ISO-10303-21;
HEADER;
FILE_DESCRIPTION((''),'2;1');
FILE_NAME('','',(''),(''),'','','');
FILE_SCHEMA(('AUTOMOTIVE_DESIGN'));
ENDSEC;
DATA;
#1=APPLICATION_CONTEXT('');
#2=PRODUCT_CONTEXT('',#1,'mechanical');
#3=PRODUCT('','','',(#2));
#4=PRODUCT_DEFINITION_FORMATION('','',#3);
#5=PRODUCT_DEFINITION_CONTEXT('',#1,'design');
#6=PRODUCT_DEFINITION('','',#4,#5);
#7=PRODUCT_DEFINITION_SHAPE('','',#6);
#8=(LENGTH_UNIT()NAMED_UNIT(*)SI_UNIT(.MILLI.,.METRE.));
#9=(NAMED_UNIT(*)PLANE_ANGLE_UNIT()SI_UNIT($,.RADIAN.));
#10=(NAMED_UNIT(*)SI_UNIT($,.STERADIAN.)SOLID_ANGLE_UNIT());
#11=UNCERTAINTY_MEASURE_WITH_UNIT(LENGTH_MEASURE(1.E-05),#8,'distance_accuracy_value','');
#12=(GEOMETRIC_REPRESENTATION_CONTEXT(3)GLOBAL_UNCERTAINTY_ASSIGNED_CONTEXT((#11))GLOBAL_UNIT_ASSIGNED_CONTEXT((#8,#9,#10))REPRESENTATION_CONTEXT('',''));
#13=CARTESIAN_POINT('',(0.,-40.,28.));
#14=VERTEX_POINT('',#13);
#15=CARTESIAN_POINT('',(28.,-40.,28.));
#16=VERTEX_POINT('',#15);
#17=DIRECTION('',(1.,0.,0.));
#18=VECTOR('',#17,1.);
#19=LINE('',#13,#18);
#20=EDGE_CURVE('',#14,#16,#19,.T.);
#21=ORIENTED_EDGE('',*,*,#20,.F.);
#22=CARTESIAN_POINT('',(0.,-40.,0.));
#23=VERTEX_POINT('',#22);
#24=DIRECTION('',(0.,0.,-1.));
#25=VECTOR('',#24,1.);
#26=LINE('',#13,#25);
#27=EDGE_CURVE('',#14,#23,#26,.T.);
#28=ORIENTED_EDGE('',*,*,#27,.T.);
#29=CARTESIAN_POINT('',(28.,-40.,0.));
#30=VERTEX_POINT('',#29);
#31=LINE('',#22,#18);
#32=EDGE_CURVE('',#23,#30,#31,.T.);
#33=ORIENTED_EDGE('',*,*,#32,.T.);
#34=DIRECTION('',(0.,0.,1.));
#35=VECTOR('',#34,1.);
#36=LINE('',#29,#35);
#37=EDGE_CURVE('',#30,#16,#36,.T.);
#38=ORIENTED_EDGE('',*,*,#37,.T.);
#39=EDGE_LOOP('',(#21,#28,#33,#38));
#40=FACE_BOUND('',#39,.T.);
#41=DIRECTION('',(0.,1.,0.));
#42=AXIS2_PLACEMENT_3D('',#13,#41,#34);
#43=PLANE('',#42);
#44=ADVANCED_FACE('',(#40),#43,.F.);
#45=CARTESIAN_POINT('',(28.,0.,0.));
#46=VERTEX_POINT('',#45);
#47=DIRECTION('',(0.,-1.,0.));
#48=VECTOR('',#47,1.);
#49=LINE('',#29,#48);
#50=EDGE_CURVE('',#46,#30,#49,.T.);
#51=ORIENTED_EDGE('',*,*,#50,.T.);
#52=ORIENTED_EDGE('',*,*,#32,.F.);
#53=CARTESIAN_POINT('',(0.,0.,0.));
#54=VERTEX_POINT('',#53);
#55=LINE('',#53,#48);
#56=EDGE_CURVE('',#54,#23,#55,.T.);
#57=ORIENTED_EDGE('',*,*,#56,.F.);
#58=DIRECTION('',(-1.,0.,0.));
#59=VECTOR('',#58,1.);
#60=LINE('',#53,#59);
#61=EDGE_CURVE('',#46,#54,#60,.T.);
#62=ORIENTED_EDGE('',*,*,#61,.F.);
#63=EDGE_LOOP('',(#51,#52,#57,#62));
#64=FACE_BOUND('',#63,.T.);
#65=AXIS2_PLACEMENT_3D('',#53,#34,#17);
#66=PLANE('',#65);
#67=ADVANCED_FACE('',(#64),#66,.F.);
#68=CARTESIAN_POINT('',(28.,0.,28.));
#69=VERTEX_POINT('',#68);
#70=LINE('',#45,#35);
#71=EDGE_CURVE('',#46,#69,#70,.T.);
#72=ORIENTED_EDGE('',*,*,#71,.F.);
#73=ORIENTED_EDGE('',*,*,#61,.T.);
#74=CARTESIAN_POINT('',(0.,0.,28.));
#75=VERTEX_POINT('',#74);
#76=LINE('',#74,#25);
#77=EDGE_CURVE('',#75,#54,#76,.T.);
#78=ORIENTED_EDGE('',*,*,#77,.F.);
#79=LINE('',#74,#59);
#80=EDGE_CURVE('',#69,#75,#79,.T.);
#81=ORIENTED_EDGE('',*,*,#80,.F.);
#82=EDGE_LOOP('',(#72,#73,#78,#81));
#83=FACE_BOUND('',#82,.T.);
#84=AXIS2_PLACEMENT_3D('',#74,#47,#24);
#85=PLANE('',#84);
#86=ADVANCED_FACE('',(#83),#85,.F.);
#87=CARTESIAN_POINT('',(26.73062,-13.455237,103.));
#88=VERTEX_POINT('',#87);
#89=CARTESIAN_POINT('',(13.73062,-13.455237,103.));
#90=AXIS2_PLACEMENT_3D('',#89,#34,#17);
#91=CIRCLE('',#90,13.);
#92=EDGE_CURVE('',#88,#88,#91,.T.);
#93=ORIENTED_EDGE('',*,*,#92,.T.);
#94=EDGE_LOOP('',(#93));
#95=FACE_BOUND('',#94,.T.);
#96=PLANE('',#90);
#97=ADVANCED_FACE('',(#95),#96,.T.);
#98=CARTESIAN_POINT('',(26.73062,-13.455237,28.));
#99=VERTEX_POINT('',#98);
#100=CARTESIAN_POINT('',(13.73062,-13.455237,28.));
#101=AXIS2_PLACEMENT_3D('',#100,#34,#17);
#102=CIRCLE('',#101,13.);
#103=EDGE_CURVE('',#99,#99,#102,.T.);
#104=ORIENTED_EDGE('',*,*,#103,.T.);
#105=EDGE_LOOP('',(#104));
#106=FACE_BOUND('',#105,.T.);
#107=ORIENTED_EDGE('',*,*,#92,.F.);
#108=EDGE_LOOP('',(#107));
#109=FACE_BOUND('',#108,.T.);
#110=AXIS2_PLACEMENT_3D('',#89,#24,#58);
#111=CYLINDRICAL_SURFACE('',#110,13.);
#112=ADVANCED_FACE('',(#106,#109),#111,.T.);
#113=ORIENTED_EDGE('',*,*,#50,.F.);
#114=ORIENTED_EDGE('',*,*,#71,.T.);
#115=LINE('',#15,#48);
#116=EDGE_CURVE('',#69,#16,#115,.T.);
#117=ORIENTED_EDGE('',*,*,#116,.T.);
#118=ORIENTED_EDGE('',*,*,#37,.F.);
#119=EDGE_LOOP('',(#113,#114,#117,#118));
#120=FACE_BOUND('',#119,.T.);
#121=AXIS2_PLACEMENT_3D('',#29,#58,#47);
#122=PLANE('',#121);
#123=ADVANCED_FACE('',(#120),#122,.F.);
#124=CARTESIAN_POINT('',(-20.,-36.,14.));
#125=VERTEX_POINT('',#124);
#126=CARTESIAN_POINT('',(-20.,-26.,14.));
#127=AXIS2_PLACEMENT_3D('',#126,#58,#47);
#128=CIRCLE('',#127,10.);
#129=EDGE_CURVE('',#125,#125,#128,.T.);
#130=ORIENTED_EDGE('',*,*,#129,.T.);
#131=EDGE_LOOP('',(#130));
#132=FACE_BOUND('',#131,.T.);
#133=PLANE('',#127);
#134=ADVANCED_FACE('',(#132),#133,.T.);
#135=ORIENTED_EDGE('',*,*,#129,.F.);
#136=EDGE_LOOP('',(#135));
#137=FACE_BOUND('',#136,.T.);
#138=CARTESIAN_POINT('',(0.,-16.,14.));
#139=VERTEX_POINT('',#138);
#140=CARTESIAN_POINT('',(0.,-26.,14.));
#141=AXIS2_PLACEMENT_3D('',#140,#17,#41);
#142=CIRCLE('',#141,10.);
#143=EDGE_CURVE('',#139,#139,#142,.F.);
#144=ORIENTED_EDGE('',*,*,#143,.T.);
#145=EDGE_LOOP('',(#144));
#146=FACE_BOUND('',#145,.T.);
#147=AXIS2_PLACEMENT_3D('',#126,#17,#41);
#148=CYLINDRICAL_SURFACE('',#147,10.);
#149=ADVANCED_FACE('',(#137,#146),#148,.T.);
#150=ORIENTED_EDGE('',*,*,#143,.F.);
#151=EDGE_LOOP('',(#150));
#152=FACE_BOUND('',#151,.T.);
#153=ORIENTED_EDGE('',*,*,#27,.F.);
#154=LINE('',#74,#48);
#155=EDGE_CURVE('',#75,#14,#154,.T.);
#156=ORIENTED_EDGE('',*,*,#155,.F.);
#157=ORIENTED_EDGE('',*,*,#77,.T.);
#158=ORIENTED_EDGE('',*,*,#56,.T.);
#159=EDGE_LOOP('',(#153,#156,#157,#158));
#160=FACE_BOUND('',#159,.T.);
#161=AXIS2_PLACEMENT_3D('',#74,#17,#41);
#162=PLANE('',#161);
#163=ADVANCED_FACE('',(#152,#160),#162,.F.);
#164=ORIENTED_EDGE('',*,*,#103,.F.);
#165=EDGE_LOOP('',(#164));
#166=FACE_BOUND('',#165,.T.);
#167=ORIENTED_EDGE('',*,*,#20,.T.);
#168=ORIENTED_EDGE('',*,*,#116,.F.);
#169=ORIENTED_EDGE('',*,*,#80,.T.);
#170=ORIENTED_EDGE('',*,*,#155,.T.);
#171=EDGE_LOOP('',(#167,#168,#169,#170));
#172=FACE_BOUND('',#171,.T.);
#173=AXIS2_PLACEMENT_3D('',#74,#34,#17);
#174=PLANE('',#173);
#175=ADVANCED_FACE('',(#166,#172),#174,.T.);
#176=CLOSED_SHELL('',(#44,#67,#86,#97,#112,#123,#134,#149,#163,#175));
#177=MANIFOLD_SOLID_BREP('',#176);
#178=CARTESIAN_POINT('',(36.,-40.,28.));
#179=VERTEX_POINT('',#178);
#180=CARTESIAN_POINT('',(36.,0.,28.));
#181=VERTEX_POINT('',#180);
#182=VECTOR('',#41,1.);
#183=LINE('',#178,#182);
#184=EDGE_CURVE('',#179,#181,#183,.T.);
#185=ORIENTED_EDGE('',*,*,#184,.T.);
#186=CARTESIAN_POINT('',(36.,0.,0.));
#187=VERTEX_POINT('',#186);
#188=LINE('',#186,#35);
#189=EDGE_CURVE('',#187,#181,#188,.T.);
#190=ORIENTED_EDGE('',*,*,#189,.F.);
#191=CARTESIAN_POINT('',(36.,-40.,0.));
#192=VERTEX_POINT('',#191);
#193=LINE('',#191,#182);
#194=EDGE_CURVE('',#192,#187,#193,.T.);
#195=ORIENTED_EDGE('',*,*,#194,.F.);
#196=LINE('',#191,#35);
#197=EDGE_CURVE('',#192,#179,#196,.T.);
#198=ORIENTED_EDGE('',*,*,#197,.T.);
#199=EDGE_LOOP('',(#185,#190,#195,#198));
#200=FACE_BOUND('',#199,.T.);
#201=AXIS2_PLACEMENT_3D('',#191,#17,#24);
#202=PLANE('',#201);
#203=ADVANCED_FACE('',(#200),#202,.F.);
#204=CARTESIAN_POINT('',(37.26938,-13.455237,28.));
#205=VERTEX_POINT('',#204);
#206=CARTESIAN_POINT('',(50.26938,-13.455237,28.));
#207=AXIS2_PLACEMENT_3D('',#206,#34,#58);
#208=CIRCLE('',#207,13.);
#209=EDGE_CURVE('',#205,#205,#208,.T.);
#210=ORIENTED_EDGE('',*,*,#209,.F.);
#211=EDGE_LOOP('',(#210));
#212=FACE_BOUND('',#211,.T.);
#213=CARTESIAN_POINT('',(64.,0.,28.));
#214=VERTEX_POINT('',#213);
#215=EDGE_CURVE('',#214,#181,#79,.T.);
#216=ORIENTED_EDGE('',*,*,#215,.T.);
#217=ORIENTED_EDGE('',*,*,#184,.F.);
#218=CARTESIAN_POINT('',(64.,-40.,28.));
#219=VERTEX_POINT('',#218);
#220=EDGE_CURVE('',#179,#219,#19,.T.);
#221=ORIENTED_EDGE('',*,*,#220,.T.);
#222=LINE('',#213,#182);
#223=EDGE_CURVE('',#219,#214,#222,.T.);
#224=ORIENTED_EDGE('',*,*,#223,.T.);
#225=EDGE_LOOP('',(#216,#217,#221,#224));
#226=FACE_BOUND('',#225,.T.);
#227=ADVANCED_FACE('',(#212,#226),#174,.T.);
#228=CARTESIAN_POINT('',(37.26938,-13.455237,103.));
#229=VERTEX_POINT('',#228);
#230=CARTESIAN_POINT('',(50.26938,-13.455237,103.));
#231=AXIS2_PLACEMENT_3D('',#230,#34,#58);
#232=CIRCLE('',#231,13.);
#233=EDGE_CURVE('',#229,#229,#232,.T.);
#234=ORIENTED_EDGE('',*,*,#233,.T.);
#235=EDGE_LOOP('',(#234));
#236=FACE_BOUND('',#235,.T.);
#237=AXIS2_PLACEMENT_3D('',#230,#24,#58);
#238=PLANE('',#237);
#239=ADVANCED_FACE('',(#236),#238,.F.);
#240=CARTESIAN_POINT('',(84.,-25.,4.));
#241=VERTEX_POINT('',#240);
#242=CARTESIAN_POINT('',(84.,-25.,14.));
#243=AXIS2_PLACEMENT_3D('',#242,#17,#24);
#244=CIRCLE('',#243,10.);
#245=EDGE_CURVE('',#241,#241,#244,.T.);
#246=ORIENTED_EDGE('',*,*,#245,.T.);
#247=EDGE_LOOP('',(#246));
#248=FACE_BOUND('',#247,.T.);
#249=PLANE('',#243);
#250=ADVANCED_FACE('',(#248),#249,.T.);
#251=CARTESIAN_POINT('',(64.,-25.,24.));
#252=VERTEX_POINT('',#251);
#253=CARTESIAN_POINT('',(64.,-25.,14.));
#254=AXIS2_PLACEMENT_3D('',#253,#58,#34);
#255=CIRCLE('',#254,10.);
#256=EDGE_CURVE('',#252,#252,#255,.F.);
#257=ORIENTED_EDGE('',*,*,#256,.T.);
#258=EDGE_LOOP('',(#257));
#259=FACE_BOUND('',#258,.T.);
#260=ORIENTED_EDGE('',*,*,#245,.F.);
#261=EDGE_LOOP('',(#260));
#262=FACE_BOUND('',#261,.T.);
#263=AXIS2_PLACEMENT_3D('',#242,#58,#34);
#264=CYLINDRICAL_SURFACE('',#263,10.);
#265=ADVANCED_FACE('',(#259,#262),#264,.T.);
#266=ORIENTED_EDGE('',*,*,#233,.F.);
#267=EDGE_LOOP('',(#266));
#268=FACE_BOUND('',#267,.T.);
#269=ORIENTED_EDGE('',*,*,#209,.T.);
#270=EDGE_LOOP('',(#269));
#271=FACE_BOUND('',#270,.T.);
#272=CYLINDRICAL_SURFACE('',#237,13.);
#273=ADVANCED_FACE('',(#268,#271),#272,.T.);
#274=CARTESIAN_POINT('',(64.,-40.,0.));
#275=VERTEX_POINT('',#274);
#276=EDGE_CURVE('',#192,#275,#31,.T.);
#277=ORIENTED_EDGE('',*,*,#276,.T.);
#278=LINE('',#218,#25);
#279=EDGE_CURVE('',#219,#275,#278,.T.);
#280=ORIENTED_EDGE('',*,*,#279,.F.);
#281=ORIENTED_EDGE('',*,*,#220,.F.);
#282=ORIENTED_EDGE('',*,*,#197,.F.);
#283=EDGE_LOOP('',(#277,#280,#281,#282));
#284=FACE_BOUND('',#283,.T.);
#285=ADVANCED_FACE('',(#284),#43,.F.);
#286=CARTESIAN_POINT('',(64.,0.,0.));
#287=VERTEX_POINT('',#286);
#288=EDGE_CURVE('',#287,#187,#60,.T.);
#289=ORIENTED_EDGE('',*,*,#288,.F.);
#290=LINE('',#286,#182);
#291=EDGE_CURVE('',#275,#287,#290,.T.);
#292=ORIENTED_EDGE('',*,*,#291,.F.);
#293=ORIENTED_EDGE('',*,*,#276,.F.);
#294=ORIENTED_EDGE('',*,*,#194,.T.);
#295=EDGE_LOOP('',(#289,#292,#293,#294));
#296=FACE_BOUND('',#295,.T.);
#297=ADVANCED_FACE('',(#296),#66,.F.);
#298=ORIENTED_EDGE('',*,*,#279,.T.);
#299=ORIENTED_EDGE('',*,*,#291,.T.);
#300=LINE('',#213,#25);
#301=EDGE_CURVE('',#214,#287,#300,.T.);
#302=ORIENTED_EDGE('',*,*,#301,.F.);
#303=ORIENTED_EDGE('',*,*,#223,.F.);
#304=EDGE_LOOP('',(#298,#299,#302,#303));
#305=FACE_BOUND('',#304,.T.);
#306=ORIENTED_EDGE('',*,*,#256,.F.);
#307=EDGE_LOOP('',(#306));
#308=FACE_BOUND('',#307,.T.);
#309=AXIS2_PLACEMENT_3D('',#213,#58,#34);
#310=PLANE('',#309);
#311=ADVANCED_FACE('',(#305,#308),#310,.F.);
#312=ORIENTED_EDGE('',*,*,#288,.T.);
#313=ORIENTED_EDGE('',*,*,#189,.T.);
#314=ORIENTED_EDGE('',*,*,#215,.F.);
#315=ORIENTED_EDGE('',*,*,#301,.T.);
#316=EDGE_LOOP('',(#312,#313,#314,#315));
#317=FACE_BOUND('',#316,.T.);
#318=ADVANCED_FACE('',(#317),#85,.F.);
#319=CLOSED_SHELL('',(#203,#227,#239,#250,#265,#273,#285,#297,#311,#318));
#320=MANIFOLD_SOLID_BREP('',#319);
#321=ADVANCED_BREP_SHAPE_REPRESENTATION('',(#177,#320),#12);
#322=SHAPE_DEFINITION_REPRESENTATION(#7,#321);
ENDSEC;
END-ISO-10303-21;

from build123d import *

# Parameters (mm, degrees)
ESQUISSE1_W             = 64
ESQUISSE1_H             = 40
BOSS_EXTRU_1_DEPTH      = 28
ESQUISSE2_R             = 13
BOSS_EXTRU_2_DEPTH      = 75
ESQUISSE3_R             = 10
BOSS_EXTRU_3_DEPTH      = 20
ESQUISSE4_R             = 10
BOSS_EXTRU_4_DEPTH      = 20
ESQUISSE9_W             = 8
ESQUISSE9_H             = 40
ENL_V_MAT_EXTRU_1_DEPTH = 28


with BuildPart() as part:
    # Esquisse1 → Boss.-Extru.1 (new body)
    with BuildSketch(Plane.XY):
        with Locations((32, -20)):
            Rectangle(ESQUISSE1_W, ESQUISSE1_H)
    extrude(amount=BOSS_EXTRU_1_DEPTH)

    # Esquisse2 → Boss.-Extru.2 (add)
    with BuildSketch(Plane.XY.offset(28)):
        with Locations((13.7306196, -13.455237163)):
            Circle(ESQUISSE2_R)
        with Locations(Location((50.2693804, -13.455237163, 0), (0, 0, 180))):
            Circle(ESQUISSE2_R)
    extrude(amount=BOSS_EXTRU_2_DEPTH)

    # Esquisse3 → Boss.-Extru.3 (add)
    with BuildSketch(Plane.ZY):
        with Locations(Location((14, -26, 0), (0, 0, 90))):
            Circle(ESQUISSE3_R)
    extrude(amount=BOSS_EXTRU_3_DEPTH)

    # Esquisse4 → Boss.-Extru.4 (add)
    with BuildSketch(Plane(origin=(64, 0, 0), x_dir=(0, 0, -1), z_dir=(1, 0, 0))):
        with Locations(Location((-14, -25, 0), (0, 0, 180))):
            Circle(ESQUISSE4_R)
    extrude(amount=BOSS_EXTRU_4_DEPTH)

    # Esquisse9 → Enlèv. mat.-Extru.1 (cut)
    with BuildSketch(Plane.XY.offset(28)):
        with Locations((32, -20)):
            Rectangle(ESQUISSE9_W, ESQUISSE9_H)
    extrude(amount=-ENL_V_MAT_EXTRU_1_DEPTH, mode=Mode.SUBTRACT)


with BuildPart() as enl_v_mat_extru_1_piece_1:
    # of the separate pieces the step leaves, piece 1, a body of its own (enl_v_mat_extru_1_pieces)
    add(part.part.solids().sort_by_distance((36, 0, 0))[0])


with BuildPart() as enl_v_mat_extru_1_piece_2:
    # of the separate pieces the step leaves, piece 2, a body of its own (enl_v_mat_extru_1_pieces)
    add(part.part.solids().sort_by_distance((0, 0, 0))[0])


solid = Compound([enl_v_mat_extru_1_piece_1.part, enl_v_mat_extru_1_piece_2.part])
